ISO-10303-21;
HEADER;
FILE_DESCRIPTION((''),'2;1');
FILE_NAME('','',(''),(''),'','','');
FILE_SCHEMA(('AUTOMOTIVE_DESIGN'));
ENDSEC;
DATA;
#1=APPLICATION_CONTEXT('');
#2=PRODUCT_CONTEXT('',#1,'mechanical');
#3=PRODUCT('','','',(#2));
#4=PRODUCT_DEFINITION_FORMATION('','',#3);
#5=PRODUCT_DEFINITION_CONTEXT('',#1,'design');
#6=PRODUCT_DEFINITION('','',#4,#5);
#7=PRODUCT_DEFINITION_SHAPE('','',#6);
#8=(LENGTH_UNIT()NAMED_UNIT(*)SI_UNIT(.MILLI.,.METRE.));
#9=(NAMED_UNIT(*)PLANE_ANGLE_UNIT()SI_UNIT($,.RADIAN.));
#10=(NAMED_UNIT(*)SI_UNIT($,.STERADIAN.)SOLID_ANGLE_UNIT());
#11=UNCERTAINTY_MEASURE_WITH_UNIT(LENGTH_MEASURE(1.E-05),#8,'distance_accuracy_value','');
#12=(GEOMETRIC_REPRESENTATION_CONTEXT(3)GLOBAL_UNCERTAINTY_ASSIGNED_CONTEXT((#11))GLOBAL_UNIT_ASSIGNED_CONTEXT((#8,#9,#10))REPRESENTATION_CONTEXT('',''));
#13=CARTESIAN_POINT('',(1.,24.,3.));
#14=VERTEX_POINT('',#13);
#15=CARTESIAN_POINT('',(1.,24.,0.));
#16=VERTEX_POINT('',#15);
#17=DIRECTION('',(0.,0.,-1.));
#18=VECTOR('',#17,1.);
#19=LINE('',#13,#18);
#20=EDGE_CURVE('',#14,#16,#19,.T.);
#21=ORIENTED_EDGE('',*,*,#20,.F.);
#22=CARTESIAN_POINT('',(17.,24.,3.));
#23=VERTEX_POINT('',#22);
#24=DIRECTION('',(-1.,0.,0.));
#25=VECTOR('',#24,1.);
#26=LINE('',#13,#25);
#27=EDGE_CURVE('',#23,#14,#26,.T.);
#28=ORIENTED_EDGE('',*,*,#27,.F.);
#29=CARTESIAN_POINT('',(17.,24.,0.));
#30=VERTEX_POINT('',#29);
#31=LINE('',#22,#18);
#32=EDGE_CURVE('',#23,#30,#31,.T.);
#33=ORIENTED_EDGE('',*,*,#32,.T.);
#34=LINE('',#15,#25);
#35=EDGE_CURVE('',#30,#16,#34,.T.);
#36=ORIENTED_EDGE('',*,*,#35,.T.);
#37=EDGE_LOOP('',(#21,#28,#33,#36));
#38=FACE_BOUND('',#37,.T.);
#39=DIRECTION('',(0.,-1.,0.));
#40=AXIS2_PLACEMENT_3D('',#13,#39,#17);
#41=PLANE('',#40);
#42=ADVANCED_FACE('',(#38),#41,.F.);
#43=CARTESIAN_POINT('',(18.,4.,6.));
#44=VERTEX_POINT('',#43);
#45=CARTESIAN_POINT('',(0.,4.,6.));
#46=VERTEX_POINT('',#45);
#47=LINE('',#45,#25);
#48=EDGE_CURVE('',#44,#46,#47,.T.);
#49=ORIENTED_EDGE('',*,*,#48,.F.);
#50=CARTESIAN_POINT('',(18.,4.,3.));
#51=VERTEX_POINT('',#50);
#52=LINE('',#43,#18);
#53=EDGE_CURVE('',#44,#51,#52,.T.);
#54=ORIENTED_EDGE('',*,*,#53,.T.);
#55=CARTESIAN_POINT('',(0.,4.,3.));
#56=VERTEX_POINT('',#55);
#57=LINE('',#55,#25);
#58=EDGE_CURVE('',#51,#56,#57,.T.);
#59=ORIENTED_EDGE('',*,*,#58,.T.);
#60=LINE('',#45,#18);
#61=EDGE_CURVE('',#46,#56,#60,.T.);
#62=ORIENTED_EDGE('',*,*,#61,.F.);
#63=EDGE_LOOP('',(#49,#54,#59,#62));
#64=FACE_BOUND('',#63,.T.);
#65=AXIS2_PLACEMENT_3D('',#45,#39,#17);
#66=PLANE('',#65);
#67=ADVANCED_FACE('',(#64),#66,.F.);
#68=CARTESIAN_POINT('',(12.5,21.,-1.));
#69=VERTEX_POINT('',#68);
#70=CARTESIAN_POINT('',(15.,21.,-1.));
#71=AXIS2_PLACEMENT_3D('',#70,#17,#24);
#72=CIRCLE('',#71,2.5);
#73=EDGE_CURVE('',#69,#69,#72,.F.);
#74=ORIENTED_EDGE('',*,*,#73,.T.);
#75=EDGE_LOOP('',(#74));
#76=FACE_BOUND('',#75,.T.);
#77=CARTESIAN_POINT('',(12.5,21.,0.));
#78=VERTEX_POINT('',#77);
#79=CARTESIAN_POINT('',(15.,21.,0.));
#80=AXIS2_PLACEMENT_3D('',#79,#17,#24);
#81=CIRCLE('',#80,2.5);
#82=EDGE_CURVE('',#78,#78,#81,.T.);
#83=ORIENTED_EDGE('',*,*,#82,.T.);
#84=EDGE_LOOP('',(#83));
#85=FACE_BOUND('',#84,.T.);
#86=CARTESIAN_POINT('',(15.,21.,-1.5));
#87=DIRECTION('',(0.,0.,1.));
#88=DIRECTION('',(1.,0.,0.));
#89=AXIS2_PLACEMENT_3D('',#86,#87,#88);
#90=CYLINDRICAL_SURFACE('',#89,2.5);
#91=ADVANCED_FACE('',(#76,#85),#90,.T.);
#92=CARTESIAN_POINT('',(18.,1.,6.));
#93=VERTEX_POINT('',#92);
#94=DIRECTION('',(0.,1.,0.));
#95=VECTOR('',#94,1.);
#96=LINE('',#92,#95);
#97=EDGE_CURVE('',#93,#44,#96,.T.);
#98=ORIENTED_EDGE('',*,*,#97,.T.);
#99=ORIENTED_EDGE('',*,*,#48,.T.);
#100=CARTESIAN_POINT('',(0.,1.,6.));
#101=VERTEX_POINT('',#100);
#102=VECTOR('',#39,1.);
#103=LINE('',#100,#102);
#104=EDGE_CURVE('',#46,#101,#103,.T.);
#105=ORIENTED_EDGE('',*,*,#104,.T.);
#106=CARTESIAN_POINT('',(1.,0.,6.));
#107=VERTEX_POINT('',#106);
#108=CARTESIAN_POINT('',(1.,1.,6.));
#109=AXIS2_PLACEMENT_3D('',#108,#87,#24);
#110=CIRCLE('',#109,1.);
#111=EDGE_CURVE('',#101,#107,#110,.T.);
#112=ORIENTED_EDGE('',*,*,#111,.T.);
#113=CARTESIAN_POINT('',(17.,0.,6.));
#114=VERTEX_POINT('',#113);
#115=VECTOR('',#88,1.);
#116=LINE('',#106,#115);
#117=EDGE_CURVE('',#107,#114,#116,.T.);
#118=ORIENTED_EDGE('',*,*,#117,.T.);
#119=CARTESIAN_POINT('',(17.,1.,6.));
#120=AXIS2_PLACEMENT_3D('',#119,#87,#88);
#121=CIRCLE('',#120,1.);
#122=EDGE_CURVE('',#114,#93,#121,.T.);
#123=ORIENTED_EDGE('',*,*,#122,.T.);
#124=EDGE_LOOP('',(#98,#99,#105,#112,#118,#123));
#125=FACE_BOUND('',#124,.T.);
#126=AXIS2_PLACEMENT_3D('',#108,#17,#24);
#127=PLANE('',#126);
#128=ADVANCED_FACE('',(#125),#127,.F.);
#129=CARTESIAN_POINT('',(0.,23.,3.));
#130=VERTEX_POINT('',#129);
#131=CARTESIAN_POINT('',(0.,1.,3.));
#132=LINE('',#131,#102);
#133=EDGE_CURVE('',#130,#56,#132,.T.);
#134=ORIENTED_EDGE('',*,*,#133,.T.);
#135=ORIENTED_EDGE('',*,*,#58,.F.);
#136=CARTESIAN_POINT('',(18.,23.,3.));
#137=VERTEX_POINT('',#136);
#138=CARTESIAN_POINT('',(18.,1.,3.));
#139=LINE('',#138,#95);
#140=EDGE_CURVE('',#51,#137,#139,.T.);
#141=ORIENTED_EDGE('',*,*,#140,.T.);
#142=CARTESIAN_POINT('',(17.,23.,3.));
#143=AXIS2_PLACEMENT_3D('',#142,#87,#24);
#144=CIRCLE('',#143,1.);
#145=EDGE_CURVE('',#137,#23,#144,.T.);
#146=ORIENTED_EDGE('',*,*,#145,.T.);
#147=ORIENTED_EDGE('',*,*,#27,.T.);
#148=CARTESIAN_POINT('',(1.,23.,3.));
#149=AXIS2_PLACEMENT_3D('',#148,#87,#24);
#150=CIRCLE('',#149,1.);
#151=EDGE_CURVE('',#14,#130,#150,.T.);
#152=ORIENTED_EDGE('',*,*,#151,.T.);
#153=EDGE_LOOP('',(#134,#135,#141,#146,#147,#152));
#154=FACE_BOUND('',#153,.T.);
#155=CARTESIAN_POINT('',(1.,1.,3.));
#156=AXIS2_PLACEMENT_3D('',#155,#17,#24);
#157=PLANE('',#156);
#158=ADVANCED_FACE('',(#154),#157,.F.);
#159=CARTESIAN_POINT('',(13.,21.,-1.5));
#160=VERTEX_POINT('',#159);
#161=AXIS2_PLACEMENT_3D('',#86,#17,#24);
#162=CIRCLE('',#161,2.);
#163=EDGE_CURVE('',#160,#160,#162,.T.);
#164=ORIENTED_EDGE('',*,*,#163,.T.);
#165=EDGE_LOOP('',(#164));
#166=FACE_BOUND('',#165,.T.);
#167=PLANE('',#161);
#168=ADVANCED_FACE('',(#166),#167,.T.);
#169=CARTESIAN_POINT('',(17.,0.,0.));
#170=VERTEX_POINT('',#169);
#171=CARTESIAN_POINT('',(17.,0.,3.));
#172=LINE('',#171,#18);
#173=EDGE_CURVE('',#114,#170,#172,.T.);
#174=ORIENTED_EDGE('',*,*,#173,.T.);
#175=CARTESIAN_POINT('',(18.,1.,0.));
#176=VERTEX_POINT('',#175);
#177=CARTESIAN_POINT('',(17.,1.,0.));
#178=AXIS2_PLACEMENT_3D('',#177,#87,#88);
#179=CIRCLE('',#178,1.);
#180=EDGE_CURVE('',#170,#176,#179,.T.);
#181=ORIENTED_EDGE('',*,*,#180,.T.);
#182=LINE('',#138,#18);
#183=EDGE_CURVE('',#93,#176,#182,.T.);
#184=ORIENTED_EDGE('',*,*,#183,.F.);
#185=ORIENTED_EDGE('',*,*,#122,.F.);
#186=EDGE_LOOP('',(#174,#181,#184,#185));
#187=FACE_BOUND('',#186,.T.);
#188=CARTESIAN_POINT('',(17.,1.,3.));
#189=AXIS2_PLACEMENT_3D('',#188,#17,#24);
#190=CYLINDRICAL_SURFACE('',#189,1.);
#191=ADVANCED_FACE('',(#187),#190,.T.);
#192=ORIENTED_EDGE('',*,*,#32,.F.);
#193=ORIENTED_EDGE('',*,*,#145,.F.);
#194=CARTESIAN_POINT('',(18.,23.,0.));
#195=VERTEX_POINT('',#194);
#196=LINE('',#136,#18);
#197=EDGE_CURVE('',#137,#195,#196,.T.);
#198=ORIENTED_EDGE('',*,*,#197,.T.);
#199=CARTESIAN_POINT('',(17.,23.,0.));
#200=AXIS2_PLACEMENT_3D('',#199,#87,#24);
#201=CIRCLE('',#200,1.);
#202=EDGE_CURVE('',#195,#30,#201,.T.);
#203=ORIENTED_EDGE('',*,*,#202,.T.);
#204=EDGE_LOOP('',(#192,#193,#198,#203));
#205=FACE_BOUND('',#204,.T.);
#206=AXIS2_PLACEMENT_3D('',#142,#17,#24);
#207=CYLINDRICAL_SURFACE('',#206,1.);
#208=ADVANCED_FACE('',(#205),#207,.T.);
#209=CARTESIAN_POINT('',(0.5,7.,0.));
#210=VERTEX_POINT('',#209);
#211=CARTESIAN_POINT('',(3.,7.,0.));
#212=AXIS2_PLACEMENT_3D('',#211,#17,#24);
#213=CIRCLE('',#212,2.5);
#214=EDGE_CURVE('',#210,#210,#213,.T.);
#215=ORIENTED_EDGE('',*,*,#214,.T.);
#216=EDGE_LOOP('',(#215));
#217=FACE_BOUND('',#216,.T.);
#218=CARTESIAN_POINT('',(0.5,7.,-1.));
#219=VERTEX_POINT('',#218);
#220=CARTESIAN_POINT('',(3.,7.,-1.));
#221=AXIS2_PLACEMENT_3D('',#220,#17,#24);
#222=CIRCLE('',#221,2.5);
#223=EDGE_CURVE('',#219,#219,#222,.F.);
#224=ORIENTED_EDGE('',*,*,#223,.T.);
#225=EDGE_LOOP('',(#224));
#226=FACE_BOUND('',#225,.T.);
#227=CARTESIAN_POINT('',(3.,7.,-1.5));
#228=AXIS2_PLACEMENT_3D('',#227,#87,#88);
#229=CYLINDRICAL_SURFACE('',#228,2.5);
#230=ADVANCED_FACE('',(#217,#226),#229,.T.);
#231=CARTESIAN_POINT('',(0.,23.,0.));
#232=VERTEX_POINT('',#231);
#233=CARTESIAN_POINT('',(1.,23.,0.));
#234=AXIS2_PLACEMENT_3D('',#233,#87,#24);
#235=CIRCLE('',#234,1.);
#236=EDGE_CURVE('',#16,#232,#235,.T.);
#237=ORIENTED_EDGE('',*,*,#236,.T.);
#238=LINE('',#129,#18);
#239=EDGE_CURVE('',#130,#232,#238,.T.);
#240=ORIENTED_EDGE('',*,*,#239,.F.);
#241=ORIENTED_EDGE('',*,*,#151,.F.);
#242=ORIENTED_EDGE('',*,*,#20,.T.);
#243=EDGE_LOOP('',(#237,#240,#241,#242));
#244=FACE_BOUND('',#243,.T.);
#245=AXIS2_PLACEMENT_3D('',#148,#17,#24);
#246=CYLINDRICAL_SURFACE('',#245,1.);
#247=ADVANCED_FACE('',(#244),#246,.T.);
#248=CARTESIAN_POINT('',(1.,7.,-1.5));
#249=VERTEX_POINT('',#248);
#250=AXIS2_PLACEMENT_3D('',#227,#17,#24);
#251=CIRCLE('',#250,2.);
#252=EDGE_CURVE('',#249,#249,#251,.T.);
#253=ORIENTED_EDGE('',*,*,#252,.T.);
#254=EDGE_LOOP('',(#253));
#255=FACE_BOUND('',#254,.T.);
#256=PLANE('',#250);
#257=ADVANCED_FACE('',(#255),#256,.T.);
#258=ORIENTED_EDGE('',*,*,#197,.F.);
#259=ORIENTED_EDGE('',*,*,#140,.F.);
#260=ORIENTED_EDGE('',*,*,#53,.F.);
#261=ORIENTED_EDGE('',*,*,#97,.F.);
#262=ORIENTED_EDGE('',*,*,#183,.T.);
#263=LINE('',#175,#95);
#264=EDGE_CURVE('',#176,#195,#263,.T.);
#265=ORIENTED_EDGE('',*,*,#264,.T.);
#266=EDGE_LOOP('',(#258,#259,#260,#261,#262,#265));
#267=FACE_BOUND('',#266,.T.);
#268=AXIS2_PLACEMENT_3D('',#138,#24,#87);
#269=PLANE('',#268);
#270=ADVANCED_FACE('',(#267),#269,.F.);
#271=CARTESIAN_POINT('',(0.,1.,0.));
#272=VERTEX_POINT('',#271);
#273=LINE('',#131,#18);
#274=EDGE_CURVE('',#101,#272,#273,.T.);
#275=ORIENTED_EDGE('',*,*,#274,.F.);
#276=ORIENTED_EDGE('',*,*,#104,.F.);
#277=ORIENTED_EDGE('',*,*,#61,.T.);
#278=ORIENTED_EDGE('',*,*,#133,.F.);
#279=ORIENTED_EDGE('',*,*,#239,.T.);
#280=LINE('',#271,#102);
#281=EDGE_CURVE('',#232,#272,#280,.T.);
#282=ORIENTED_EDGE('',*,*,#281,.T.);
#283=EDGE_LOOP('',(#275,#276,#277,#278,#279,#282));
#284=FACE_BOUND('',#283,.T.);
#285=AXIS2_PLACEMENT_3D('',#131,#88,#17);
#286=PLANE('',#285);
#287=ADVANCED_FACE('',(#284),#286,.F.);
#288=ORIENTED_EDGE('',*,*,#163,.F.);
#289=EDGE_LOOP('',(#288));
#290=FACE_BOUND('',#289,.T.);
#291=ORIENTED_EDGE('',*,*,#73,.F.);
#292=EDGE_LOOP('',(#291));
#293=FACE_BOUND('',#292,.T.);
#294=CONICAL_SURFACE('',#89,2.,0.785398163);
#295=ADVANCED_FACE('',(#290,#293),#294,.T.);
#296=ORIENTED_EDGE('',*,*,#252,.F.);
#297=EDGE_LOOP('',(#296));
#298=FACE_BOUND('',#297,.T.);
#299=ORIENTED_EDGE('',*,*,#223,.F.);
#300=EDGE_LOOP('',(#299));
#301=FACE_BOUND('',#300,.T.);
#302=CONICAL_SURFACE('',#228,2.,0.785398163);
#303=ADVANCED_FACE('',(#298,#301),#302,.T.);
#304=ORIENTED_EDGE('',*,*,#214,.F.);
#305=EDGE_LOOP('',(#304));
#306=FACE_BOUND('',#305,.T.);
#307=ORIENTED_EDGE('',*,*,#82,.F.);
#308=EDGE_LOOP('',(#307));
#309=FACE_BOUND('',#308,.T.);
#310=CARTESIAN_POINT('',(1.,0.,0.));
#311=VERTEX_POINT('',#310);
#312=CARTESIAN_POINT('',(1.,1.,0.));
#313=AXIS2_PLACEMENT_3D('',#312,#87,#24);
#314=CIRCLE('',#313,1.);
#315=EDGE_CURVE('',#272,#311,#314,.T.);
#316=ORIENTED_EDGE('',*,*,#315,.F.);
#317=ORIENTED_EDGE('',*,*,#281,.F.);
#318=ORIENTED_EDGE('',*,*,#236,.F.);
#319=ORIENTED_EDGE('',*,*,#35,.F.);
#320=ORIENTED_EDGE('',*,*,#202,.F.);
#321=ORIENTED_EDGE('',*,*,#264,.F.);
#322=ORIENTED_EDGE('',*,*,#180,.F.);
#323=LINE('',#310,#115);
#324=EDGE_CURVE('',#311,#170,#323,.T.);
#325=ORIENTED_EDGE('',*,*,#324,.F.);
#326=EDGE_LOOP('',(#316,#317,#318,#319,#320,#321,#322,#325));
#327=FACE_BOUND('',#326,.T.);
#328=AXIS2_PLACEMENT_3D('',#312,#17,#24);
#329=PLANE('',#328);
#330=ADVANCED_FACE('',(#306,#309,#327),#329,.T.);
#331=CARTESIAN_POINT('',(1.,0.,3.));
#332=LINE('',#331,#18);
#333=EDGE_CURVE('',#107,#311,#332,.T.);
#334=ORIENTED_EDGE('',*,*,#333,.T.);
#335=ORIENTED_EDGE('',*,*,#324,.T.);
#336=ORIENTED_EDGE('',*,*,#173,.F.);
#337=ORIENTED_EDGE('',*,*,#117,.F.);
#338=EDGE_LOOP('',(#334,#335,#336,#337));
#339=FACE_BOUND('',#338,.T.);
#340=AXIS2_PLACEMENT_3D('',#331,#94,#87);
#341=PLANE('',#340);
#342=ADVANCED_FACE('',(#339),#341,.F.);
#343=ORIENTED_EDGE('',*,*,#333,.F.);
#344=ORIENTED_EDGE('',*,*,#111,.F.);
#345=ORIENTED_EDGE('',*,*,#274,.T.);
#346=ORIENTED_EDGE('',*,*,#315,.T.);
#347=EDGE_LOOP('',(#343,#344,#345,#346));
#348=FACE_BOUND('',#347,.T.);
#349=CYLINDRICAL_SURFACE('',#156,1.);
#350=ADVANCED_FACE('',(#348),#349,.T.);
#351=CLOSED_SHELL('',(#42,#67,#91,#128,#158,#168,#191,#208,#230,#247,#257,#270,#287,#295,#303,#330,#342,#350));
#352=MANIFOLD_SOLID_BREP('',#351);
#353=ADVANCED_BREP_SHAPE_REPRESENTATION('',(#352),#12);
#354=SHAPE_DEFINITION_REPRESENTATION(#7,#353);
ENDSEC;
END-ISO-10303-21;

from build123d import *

# Parameters (mm, degrees)
BOSS_EXTRUDE1_DEPTH = 3
BOSS_EXTRUDE2_DEPTH = 3
SKETCH3_R           = 2.5
BOSS_EXTRUDE3_DEPTH = 1.5
CHAMFER1_SIZE       = 0.5


with BuildPart() as part:
    # Sketch1 → Boss-Extrude1 (new body)
    with BuildSketch(Plane.XY):
        with BuildLine():
            Line((1, 0), (17, 0))
            ThreePointArc((17, 0), (17.707106781, 0.292893219), (18, 1))
            Line((18, 1), (18, 23))
            ThreePointArc((18, 23), (17.707106781, 23.707106781), (17, 24))
            Line((17, 24), (1, 24))
            ThreePointArc((1, 24), (0.292893219, 23.707106781), (0, 23))
            Line((0, 23), (0, 1))
            ThreePointArc((0, 1), (0.292893219, 0.292893219), (1, 0))
        make_face()
    extrude(amount=BOSS_EXTRUDE1_DEPTH)

    # Sketch2 → Boss-Extrude2 (add)
    with BuildSketch(Plane.XY.offset(3)):
        with BuildLine():
            Line((1, 0), (17, 0))
            ThreePointArc((17, 0), (17.707106781, 0.292893219), (18, 1))
            Line((18, 1), (18, 4))
            Line((18, 4), (0, 4))
            Line((0, 4), (0, 1))
            ThreePointArc((0, 1), (0.292893219, 0.292893219), (1, 0))
        make_face()
    extrude(amount=BOSS_EXTRUDE2_DEPTH)

    # Sketch3 → Boss-Extrude3 (add)
    with BuildSketch(Plane(origin=(0, 0, 0), x_dir=(-1, 0, 0), z_dir=(0, 0, -1))):
        with Locations((-15, 21)):
            Circle(SKETCH3_R)
        with Locations((-3, 7)):
            Circle(SKETCH3_R)
    extrude(amount=BOSS_EXTRUDE3_DEPTH)

    # Chamfer1
    chamfer1_edges = [part.edges().sort_by_distance(p)[0] for p in [
        (17.5, 21, -1.5),
        (5.5, 7, -1.5),
    ]]
    chamfer(chamfer1_edges, length=CHAMFER1_SIZE)


solid = part.part
